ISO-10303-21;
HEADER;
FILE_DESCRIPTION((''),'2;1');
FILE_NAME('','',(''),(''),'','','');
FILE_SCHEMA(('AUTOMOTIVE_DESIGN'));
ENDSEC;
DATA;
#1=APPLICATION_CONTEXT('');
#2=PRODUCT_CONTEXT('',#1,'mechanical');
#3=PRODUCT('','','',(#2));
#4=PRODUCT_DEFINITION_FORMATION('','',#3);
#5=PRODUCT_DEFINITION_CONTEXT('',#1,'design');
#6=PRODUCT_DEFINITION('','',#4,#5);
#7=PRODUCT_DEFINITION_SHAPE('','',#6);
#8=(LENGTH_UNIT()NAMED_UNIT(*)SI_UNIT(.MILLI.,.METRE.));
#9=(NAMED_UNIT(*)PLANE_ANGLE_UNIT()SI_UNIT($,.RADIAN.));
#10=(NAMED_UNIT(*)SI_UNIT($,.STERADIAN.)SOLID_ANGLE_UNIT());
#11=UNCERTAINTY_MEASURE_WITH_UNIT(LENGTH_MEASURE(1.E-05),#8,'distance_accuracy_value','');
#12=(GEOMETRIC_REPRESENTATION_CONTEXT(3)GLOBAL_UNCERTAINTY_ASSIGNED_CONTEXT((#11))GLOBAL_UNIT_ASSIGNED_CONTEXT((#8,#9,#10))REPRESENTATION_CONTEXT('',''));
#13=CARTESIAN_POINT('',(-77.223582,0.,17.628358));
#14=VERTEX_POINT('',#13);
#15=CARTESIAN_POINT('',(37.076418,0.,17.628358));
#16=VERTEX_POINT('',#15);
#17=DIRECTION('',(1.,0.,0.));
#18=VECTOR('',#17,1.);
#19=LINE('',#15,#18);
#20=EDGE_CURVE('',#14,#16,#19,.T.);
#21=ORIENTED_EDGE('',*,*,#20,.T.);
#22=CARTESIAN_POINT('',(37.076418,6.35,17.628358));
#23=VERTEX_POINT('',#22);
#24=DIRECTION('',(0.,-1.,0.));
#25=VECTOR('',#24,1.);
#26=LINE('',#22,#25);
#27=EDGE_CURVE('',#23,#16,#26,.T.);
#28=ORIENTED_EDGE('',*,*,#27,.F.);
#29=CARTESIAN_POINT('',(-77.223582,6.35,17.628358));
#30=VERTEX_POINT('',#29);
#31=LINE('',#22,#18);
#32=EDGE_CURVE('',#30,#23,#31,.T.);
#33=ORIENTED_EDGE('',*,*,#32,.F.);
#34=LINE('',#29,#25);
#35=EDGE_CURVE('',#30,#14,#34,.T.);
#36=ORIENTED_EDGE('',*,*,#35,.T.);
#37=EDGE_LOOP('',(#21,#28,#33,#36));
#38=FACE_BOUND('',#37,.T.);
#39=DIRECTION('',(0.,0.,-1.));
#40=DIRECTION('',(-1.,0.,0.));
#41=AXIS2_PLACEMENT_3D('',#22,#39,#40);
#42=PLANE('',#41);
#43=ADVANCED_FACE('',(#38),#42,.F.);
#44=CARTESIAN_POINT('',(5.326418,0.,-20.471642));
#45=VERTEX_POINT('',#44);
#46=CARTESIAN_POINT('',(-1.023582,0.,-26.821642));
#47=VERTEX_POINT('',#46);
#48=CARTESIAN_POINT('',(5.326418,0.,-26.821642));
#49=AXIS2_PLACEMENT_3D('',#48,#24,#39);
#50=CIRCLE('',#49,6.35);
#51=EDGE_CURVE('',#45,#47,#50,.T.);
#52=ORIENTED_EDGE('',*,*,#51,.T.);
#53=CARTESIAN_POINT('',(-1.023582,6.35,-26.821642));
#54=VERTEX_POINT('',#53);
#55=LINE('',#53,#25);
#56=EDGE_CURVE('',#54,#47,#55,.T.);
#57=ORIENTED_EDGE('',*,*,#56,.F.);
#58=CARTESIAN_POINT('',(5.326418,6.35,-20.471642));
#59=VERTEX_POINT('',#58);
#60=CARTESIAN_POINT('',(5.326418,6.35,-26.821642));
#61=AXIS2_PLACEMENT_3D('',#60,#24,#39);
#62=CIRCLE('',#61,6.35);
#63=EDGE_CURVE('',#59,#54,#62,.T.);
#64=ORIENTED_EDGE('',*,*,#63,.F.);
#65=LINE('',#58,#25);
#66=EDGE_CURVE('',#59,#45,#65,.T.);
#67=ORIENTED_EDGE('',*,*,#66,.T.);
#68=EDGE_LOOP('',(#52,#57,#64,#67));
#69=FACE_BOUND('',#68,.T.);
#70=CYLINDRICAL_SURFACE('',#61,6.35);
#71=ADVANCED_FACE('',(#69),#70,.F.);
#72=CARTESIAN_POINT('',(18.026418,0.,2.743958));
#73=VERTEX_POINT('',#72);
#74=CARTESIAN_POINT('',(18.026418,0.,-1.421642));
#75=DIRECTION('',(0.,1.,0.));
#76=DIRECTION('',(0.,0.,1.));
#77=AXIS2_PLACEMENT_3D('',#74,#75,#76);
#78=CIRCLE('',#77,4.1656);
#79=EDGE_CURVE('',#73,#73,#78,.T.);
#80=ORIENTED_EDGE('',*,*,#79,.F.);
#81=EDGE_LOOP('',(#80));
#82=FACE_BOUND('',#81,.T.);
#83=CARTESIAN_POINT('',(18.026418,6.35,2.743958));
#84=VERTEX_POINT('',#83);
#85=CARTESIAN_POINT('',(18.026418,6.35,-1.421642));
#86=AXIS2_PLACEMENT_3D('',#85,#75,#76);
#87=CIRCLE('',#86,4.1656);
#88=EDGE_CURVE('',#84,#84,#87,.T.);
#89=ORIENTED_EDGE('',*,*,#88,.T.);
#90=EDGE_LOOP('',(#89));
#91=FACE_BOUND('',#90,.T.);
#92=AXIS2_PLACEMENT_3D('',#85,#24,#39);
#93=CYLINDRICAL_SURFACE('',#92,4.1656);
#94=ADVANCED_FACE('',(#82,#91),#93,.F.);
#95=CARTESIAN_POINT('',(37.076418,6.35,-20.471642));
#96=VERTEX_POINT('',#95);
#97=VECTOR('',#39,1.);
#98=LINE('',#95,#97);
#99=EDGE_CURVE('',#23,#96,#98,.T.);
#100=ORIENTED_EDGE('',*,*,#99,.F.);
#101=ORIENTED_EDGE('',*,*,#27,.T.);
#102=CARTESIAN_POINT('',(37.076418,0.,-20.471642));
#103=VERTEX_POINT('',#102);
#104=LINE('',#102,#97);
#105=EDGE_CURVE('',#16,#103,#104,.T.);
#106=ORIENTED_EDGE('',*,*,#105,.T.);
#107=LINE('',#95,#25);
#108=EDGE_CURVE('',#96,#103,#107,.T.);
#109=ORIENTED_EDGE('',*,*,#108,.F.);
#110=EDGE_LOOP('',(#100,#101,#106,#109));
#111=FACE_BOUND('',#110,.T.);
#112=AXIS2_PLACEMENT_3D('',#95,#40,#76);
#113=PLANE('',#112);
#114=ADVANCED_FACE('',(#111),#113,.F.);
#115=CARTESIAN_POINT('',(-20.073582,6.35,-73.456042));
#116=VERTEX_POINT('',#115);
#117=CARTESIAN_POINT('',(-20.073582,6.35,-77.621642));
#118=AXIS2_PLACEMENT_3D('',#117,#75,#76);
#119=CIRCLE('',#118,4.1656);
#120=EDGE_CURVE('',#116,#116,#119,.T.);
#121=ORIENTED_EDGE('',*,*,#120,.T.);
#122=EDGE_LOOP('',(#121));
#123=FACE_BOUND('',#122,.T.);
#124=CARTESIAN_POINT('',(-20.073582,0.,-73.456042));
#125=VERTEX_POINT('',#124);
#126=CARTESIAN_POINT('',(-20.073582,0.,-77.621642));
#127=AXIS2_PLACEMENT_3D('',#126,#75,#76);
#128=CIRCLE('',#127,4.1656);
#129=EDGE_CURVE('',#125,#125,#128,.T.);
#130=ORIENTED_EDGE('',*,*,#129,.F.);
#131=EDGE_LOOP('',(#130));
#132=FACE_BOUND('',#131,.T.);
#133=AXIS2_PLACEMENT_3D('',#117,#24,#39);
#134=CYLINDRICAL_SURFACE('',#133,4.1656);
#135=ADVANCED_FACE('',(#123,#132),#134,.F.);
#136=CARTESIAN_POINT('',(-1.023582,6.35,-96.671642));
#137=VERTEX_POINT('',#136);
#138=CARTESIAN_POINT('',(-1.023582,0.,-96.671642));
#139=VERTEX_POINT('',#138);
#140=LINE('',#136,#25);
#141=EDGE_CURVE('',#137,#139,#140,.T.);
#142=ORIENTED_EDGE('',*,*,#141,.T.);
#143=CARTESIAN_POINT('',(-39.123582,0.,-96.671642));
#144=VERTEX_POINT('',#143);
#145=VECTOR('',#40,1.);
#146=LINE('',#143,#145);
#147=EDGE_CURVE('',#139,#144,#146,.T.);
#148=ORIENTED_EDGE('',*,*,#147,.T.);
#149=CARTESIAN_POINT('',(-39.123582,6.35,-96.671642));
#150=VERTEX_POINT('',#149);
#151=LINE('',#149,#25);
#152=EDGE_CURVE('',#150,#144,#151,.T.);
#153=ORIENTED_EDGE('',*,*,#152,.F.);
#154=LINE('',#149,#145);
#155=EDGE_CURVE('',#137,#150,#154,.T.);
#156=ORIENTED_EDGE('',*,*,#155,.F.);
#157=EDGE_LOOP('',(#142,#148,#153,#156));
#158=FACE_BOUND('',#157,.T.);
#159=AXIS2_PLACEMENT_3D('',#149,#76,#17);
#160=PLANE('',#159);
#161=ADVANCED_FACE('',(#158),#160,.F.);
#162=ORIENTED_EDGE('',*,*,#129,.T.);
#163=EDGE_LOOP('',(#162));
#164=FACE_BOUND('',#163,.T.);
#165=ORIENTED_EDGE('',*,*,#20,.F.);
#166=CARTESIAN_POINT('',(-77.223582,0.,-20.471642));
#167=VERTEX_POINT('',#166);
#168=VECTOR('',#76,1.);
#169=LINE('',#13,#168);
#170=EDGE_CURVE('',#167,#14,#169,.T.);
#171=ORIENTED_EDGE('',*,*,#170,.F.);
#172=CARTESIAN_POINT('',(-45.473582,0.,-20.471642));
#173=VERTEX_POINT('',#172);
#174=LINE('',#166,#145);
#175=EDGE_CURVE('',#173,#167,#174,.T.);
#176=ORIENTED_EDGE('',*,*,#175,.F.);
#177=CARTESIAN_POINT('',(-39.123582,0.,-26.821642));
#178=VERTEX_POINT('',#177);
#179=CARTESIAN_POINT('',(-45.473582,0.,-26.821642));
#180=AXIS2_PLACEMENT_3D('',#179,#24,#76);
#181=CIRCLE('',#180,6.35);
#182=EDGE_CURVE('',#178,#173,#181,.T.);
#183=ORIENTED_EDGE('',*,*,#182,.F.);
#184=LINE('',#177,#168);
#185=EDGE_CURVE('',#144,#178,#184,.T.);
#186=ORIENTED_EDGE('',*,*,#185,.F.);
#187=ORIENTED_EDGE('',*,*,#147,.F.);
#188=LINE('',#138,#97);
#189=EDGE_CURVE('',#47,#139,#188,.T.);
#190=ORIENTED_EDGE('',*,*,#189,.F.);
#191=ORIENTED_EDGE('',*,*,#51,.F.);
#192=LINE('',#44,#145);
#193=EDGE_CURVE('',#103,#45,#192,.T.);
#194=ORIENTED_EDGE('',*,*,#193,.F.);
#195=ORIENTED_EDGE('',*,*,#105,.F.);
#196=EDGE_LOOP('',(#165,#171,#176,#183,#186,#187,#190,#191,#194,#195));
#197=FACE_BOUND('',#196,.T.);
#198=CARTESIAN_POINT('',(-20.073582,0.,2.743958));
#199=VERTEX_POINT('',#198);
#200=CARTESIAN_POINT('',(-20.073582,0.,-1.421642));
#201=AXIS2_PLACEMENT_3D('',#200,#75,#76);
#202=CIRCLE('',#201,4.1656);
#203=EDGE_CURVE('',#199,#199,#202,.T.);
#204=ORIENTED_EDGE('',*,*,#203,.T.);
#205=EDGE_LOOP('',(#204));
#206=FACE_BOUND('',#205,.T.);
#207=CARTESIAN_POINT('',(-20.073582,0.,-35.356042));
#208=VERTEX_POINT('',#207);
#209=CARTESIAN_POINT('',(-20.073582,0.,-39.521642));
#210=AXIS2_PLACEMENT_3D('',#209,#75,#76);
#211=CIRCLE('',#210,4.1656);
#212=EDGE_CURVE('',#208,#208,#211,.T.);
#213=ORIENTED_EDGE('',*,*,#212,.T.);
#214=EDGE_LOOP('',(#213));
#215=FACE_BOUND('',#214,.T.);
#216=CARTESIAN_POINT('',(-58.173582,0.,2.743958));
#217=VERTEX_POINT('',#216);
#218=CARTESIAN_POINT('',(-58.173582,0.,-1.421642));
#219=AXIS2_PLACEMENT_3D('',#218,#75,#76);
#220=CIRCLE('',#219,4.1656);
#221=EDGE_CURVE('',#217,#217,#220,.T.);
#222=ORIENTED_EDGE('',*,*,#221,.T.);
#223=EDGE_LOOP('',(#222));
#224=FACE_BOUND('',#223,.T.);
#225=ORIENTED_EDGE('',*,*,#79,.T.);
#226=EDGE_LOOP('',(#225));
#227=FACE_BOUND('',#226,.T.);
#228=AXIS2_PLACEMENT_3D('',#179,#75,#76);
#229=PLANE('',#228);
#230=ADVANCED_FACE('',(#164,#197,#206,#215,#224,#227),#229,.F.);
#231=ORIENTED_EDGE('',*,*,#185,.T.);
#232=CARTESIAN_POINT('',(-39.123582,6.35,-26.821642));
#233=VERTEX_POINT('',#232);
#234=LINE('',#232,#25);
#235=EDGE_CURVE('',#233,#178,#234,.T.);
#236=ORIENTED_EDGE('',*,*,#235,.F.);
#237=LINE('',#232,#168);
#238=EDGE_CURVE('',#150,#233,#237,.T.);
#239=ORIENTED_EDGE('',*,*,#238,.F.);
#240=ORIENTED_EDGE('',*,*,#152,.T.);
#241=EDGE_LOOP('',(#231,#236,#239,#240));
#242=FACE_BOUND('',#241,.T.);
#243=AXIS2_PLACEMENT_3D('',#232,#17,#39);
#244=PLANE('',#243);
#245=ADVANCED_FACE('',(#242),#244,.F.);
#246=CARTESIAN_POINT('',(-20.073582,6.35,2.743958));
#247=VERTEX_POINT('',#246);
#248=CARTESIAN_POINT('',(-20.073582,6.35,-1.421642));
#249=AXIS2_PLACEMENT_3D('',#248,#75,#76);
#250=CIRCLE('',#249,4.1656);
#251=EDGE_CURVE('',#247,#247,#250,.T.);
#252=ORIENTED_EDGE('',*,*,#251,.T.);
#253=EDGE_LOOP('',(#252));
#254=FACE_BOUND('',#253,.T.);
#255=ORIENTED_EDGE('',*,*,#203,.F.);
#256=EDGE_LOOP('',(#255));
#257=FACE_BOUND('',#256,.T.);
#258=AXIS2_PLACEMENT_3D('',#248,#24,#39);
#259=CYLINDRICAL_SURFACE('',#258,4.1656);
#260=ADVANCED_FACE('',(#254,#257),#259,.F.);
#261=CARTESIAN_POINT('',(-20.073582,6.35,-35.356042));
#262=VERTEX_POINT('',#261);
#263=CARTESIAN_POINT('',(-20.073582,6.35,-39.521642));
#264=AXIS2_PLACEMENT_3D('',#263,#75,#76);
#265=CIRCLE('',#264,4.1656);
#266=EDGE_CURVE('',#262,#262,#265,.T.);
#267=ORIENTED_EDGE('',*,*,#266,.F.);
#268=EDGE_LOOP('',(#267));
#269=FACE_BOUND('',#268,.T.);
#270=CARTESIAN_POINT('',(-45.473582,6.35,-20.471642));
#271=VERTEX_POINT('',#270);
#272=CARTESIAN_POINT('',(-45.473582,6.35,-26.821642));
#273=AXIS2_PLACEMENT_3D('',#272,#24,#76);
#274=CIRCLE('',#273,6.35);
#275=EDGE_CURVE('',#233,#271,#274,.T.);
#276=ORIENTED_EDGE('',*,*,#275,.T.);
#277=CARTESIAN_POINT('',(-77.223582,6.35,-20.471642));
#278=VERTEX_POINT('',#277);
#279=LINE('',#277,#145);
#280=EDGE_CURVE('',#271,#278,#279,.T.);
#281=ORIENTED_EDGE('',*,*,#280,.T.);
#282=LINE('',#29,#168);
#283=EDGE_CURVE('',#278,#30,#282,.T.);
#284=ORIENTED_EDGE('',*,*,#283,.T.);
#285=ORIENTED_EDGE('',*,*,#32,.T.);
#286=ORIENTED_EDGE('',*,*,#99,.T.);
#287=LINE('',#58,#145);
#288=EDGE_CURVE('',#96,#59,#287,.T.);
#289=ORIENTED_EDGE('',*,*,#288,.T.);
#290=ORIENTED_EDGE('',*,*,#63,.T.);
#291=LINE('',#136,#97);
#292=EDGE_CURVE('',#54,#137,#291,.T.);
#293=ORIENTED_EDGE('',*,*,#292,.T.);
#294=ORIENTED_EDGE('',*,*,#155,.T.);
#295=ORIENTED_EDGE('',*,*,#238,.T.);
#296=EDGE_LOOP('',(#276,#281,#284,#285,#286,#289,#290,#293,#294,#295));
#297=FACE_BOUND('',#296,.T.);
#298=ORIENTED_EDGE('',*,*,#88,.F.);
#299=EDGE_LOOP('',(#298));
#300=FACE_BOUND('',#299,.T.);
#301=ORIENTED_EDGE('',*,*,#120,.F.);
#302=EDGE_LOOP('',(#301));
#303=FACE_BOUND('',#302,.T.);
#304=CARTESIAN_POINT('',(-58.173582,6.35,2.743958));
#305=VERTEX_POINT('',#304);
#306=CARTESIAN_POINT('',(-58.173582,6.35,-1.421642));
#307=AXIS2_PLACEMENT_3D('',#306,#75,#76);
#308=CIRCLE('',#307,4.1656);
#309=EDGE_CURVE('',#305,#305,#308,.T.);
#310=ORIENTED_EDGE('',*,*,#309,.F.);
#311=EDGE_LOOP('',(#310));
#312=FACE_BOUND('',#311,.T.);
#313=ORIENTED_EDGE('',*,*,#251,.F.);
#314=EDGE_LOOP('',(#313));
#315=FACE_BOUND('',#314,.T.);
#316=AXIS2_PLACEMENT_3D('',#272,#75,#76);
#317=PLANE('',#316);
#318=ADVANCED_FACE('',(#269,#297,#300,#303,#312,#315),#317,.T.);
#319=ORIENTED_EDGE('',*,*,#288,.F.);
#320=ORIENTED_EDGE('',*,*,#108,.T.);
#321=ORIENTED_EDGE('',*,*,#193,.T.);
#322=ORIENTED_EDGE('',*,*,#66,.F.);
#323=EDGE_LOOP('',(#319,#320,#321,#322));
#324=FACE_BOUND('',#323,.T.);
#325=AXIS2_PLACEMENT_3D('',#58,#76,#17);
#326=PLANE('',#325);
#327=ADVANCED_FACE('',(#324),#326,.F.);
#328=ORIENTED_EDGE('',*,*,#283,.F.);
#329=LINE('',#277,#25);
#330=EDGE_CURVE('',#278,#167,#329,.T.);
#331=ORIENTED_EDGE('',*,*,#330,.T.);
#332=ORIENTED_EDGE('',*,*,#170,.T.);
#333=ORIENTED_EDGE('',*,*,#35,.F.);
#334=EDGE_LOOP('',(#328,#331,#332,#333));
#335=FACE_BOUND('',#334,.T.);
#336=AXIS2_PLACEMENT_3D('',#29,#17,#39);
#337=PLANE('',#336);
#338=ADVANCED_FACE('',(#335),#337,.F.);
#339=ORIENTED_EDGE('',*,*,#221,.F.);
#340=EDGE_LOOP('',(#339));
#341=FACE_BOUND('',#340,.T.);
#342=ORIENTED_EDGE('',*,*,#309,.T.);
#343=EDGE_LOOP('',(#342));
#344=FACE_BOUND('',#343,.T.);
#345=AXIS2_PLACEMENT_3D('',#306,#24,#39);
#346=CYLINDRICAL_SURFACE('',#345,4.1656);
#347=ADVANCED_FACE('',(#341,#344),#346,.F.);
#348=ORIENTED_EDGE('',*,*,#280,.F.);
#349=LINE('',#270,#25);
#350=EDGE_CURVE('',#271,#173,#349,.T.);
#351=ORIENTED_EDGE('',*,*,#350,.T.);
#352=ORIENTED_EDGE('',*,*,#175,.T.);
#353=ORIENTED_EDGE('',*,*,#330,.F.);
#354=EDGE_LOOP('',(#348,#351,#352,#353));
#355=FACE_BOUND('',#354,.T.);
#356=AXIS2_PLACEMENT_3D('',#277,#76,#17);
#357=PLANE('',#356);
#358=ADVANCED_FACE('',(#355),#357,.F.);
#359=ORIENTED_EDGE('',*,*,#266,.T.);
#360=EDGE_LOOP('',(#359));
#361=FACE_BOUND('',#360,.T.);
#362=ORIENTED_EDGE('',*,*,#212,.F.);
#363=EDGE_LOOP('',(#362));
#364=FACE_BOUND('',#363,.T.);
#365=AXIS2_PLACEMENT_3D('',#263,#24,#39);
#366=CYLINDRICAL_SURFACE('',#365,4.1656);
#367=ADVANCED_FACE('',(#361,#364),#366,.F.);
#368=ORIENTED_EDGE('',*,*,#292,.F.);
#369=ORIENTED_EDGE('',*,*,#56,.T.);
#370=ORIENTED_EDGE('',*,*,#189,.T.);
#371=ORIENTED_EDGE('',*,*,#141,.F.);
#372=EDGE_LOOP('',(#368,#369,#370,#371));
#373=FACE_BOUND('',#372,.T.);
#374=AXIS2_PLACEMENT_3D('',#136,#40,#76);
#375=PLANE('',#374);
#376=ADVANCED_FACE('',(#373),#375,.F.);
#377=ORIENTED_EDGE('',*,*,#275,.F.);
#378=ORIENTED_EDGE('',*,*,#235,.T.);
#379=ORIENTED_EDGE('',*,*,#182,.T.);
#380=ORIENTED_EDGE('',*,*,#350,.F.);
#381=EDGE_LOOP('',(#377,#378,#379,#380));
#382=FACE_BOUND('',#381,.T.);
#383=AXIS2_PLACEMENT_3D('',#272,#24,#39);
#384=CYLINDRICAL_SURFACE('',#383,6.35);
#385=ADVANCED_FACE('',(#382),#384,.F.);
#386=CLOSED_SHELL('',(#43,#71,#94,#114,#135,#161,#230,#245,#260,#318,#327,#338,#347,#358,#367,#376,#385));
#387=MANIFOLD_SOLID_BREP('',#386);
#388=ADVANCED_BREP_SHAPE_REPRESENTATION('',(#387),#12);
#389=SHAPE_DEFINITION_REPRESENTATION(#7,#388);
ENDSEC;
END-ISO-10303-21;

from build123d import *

# Parameters (mm, degrees)
SKETCH1_R           = 4.1656
BOSS_EXTRUDE2_DEPTH = 6.35


with BuildPart() as part:
    # Sketch1 → Boss-Extrude2 (new body)
    with BuildSketch(Plane(origin=(0, 0, 0), x_dir=(1, 0, 0), z_dir=(0, 1, 0))):
        with BuildLine():
            Line((-77.22358209, -17.628358209), (-77.22358209, 20.471641791))
            Line((-77.22358209, 20.471641791), (-45.47358209, 20.471641791))
            ThreePointArc((-45.47358209, 20.471641791), (-40.983454029, 22.331513731), (-39.12358209, 26.821641791))
            Line((-39.12358209, 26.821641791), (-39.12358209, 96.671641791))
            Line((-39.12358209, 96.671641791), (-1.02358209, 96.671641791))
            Line((-1.02358209, 96.671641791), (-1.02358209, 26.821641791))
            ThreePointArc((-1.02358209, 26.821641791), (0.83628985, 22.331513731), (5.32641791, 20.471641791))
            Line((5.32641791, 20.471641791), (37.07641791, 20.471641791))
            Line((37.07641791, 20.471641791), (37.07641791, -17.628358209))
            Line((37.07641791, -17.628358209), (-77.22358209, -17.628358209))
        make_face()
        with Locations(Location((-20.07358209, 77.621641791, 0), (0, 0, 270))):
            Circle(SKETCH1_R, mode=Mode.SUBTRACT)
        with Locations(Location((-20.07358209, 39.521641791, 0), (0, 0, 270))):
            Circle(SKETCH1_R, mode=Mode.SUBTRACT)
        with Locations(Location((-20.07358209, 1.421641791, 0), (0, 0, 270))):
            Circle(SKETCH1_R, mode=Mode.SUBTRACT)
        with Locations(Location((18.02641791, 1.421641791, 0), (0, 0, 270))):
            Circle(SKETCH1_R, mode=Mode.SUBTRACT)
        with Locations(Location((-58.17358209, 1.421641791, 0), (0, 0, 270))):
            Circle(SKETCH1_R, mode=Mode.SUBTRACT)
    extrude(amount=BOSS_EXTRUDE2_DEPTH)


solid = part.part
